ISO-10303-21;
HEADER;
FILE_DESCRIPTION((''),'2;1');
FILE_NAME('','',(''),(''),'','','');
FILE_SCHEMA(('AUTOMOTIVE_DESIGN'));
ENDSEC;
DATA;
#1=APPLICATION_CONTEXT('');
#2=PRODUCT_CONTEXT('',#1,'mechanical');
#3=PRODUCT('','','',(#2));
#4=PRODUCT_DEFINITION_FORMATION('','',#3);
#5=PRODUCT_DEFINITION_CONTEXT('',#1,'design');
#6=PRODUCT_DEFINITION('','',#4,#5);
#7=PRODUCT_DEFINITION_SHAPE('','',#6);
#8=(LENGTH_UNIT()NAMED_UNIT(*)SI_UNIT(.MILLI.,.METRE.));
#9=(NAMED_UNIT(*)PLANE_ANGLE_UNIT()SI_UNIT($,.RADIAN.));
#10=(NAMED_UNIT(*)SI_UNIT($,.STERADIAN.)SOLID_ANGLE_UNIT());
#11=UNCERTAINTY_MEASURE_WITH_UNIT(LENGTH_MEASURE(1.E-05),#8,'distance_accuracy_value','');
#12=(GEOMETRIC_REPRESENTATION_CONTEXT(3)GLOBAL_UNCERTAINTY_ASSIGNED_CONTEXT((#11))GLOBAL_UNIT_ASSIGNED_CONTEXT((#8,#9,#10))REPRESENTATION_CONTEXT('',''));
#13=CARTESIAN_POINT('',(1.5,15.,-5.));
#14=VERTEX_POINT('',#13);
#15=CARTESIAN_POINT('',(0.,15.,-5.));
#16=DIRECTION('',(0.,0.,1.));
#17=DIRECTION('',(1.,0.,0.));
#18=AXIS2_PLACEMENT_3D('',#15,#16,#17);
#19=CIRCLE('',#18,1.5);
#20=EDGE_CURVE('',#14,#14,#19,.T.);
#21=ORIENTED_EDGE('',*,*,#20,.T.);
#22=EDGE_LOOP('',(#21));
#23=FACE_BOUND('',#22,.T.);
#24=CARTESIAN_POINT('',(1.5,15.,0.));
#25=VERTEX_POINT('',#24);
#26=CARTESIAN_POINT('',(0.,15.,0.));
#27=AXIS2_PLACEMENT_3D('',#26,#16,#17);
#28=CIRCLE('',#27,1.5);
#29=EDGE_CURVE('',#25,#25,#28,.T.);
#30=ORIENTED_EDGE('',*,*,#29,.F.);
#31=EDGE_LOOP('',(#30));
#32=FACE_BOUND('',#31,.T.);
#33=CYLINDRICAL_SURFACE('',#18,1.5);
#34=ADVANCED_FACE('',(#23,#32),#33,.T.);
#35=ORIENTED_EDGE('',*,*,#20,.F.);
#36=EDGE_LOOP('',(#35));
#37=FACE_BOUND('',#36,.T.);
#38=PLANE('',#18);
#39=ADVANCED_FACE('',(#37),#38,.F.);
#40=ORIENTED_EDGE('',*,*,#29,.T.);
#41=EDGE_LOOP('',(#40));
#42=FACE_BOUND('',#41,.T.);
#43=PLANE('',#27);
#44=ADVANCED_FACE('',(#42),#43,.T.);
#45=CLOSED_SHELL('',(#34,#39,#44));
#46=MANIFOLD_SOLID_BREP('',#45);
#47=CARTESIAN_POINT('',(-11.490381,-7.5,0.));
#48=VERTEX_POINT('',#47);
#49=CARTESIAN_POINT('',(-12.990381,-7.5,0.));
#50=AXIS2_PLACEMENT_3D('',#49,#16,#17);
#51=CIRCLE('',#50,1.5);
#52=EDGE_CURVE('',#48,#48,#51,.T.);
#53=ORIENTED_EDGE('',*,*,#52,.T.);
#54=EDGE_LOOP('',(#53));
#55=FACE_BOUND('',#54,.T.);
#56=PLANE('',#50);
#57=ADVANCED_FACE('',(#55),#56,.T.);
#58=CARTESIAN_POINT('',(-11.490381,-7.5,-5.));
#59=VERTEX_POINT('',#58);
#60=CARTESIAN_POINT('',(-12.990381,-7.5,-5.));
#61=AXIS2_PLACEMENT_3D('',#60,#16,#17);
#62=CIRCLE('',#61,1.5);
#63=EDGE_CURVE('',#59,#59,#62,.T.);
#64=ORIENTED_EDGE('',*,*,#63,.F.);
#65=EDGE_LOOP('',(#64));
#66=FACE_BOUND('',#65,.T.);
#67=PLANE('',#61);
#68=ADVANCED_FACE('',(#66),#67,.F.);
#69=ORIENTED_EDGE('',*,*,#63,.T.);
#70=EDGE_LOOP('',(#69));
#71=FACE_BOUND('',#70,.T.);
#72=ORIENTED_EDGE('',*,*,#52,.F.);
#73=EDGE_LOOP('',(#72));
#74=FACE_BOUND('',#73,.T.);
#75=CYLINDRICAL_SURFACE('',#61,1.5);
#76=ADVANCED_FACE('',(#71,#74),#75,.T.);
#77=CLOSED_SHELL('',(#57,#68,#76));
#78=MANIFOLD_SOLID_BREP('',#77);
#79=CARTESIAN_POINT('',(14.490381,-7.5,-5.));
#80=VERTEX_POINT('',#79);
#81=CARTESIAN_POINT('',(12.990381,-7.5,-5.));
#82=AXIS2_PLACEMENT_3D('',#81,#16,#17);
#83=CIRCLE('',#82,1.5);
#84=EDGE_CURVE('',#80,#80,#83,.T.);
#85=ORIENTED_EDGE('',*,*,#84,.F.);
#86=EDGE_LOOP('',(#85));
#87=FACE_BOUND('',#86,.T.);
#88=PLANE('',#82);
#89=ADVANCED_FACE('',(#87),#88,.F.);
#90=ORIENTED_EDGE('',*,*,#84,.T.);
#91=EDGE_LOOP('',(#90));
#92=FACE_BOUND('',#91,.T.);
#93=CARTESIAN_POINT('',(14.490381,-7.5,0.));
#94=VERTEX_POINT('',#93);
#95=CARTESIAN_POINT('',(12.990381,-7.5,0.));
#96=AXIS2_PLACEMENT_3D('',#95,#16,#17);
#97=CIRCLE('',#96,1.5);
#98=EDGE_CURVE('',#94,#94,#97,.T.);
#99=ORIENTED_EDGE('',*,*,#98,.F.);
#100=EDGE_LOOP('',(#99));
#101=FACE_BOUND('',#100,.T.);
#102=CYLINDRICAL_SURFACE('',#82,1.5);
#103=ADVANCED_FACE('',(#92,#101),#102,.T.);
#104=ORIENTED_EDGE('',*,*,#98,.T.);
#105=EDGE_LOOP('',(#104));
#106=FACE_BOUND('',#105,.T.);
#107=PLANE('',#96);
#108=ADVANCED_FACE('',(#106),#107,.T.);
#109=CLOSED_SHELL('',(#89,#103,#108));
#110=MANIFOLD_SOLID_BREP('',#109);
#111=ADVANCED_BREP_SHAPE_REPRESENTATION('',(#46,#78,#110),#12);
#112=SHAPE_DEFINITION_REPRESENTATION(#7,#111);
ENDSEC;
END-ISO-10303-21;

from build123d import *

# Parameters (mm, degrees)
SKIZZE1_R                         = 1.5
AUFSATZ_LINEAR_AUSTRAGEN1_DEPTH   = 5
AUFSATZ_LINEAR_AUSTRAGEN1_2_DEPTH = 5
AUFSATZ_LINEAR_AUSTRAGEN1_3_DEPTH = 5


with BuildPart() as part:
    # Skizze1 → Aufsatz-Linear austragen1 (new body)
    with BuildSketch(Plane.XY):
        with Locations((0, 15)):
            Circle(SKIZZE1_R)
    extrude(amount=-AUFSATZ_LINEAR_AUSTRAGEN1_DEPTH)


with BuildPart() as body_2:
    # Skizze1 → Aufsatz-Linear austragen1 2 (new body)
    with BuildSketch(Plane.XY):
        with Locations((12.990381057, -7.5)):
            Circle(SKIZZE1_R)
    extrude(amount=-AUFSATZ_LINEAR_AUSTRAGEN1_2_DEPTH)


with BuildPart() as body_3:
    # Skizze1 → Aufsatz-Linear austragen1 3 (new body)
    with BuildSketch(Plane.XY):
        with Locations((-12.990381057, -7.5)):
            Circle(SKIZZE1_R)
    extrude(amount=-AUFSATZ_LINEAR_AUSTRAGEN1_3_DEPTH)


solid = Compound([part.part, body_2.part, body_3.part])
